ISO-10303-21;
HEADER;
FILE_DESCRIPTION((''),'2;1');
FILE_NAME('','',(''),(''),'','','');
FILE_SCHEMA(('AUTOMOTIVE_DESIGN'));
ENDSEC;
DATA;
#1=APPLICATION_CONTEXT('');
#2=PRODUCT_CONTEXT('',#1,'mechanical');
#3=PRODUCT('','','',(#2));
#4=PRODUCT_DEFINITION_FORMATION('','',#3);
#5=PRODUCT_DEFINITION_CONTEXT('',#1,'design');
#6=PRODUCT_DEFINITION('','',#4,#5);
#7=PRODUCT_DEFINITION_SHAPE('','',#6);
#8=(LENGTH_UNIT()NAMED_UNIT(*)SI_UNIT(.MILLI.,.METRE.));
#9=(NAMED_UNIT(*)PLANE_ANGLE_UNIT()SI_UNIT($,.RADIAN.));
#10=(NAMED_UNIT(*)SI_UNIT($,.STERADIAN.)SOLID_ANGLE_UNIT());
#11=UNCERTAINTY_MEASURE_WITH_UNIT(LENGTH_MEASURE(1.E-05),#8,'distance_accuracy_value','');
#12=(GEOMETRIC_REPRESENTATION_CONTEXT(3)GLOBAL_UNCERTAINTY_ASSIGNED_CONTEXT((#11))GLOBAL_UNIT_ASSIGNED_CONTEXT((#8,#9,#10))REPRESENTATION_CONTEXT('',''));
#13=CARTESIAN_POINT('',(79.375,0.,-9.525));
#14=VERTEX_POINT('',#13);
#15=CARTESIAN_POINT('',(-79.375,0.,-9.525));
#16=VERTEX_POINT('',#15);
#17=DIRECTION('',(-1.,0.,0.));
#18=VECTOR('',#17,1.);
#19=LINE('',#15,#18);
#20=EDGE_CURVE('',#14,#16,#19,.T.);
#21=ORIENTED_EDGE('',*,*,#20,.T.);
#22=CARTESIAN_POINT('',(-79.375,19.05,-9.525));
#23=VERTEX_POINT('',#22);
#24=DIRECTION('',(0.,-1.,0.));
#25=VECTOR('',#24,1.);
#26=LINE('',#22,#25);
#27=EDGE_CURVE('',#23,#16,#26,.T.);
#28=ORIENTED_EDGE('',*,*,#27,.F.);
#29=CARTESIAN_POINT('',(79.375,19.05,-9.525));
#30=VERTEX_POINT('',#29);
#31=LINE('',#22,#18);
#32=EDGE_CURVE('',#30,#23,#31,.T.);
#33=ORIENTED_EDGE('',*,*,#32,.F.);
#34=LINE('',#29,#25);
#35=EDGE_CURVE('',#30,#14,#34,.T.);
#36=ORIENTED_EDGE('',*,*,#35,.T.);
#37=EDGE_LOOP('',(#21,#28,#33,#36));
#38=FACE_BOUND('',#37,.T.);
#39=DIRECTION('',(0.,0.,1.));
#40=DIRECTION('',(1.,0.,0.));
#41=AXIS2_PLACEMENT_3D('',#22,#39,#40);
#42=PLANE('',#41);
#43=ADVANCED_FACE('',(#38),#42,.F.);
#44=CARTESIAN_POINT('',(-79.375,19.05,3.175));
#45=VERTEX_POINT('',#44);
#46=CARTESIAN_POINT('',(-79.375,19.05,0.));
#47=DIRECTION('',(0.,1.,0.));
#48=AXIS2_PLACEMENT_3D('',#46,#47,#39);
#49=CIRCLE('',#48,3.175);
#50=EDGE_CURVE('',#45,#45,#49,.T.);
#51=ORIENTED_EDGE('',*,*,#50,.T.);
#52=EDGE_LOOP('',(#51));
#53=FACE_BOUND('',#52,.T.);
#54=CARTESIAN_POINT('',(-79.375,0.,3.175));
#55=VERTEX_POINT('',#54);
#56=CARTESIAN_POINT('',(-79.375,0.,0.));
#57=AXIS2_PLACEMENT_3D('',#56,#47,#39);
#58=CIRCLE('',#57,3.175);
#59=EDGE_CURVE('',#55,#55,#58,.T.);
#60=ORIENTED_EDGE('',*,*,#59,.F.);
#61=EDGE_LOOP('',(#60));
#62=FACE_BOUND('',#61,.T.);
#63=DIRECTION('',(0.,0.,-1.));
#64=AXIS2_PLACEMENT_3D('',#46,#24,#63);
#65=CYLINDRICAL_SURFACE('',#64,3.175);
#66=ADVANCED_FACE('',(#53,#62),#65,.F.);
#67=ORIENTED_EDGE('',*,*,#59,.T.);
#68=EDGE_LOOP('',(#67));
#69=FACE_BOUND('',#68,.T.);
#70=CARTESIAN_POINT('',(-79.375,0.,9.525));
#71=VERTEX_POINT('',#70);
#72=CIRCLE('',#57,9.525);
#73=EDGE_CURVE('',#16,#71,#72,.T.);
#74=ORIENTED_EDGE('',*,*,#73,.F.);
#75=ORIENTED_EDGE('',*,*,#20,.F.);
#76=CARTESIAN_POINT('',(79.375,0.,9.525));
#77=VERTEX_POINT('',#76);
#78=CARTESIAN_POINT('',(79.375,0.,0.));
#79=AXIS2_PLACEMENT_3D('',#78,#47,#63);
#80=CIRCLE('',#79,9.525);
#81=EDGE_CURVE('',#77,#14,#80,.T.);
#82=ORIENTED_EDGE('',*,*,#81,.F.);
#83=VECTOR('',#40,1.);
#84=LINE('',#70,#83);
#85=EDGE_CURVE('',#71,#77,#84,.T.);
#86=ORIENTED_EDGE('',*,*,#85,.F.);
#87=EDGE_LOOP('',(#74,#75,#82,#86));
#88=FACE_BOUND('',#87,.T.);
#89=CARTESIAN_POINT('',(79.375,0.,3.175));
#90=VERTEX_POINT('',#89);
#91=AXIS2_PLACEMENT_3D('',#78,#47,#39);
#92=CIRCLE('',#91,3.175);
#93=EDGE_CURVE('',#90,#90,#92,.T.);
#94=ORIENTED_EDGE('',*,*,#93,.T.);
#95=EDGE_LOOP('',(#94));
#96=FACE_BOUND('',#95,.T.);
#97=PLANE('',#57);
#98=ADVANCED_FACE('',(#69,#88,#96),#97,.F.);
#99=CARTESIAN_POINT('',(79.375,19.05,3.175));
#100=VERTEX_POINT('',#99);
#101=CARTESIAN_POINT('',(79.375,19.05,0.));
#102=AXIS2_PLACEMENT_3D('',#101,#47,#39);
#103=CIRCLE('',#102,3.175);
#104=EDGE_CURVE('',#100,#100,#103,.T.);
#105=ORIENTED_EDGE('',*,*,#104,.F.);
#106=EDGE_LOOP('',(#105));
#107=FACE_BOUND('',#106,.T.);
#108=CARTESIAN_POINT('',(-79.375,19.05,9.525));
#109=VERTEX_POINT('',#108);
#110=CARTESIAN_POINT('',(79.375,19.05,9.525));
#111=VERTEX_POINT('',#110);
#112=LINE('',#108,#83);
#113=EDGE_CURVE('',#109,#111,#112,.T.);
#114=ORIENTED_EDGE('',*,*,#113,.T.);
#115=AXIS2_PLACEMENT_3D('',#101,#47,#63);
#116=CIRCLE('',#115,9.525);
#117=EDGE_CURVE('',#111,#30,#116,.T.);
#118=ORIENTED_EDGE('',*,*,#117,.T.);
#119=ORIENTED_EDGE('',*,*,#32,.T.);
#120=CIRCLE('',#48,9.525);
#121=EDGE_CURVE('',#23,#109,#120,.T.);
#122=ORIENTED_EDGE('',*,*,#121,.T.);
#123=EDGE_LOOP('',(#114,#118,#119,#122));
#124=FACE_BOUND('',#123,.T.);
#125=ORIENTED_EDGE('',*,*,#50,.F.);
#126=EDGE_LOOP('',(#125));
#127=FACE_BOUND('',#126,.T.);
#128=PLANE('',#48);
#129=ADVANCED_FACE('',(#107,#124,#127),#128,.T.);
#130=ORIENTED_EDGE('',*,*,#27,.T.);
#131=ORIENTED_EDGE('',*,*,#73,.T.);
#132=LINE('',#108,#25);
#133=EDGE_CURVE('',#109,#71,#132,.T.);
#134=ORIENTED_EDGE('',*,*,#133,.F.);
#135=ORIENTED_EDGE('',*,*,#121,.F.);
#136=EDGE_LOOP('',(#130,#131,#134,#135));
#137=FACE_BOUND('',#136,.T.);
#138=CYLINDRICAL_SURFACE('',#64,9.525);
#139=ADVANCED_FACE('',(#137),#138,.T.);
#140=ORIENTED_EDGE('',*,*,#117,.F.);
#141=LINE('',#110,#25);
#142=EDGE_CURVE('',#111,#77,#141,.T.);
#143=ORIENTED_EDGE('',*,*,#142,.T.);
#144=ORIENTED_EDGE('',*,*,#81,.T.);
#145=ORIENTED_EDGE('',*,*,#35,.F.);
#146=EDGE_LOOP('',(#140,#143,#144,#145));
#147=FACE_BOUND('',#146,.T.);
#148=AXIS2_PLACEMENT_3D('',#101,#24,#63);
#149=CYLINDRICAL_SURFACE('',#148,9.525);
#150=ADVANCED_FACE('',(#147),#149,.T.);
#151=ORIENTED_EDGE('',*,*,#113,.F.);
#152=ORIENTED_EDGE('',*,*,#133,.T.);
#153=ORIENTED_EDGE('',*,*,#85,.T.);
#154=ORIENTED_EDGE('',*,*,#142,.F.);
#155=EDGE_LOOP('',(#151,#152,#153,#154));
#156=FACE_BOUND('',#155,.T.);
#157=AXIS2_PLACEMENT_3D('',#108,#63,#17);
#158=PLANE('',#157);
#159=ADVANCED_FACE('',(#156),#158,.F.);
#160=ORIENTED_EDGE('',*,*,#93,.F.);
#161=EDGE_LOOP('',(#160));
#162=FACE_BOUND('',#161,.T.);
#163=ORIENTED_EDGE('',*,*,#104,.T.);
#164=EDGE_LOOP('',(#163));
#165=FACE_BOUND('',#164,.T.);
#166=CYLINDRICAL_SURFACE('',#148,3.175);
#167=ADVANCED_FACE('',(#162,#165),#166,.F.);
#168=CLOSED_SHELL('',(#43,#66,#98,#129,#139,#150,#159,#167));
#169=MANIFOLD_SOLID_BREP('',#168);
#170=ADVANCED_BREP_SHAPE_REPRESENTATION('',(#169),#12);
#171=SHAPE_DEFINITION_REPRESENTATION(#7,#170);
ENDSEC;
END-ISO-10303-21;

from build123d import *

# Parameters (mm, degrees)
SKETCH1_R           = 3.175
BOSS_EXTRUDE1_DEPTH = 19.05


with BuildPart() as part:
    # Sketch1 → Boss-Extrude1 (new body)
    with BuildSketch(Plane(origin=(0, 0, 0), x_dir=(1, 0, 0), z_dir=(0, 1, 0))):
        with BuildLine():
            Line((-79.375, -9.525), (79.375, -9.525))
            ThreePointArc((79.375, -9.525), (88.9, 0), (79.375, 9.525))
            Line((79.375, 9.525), (-79.375, 9.525))
            ThreePointArc((-79.375, 9.525), (-88.9, 0), (-79.375, -9.525))
        make_face()
        with Locations((-79.375, 0)):
            Circle(SKETCH1_R, mode=Mode.SUBTRACT)
        with Locations((79.375, 0)):
            Circle(SKETCH1_R, mode=Mode.SUBTRACT)
    extrude(amount=BOSS_EXTRUDE1_DEPTH)


solid = part.part
